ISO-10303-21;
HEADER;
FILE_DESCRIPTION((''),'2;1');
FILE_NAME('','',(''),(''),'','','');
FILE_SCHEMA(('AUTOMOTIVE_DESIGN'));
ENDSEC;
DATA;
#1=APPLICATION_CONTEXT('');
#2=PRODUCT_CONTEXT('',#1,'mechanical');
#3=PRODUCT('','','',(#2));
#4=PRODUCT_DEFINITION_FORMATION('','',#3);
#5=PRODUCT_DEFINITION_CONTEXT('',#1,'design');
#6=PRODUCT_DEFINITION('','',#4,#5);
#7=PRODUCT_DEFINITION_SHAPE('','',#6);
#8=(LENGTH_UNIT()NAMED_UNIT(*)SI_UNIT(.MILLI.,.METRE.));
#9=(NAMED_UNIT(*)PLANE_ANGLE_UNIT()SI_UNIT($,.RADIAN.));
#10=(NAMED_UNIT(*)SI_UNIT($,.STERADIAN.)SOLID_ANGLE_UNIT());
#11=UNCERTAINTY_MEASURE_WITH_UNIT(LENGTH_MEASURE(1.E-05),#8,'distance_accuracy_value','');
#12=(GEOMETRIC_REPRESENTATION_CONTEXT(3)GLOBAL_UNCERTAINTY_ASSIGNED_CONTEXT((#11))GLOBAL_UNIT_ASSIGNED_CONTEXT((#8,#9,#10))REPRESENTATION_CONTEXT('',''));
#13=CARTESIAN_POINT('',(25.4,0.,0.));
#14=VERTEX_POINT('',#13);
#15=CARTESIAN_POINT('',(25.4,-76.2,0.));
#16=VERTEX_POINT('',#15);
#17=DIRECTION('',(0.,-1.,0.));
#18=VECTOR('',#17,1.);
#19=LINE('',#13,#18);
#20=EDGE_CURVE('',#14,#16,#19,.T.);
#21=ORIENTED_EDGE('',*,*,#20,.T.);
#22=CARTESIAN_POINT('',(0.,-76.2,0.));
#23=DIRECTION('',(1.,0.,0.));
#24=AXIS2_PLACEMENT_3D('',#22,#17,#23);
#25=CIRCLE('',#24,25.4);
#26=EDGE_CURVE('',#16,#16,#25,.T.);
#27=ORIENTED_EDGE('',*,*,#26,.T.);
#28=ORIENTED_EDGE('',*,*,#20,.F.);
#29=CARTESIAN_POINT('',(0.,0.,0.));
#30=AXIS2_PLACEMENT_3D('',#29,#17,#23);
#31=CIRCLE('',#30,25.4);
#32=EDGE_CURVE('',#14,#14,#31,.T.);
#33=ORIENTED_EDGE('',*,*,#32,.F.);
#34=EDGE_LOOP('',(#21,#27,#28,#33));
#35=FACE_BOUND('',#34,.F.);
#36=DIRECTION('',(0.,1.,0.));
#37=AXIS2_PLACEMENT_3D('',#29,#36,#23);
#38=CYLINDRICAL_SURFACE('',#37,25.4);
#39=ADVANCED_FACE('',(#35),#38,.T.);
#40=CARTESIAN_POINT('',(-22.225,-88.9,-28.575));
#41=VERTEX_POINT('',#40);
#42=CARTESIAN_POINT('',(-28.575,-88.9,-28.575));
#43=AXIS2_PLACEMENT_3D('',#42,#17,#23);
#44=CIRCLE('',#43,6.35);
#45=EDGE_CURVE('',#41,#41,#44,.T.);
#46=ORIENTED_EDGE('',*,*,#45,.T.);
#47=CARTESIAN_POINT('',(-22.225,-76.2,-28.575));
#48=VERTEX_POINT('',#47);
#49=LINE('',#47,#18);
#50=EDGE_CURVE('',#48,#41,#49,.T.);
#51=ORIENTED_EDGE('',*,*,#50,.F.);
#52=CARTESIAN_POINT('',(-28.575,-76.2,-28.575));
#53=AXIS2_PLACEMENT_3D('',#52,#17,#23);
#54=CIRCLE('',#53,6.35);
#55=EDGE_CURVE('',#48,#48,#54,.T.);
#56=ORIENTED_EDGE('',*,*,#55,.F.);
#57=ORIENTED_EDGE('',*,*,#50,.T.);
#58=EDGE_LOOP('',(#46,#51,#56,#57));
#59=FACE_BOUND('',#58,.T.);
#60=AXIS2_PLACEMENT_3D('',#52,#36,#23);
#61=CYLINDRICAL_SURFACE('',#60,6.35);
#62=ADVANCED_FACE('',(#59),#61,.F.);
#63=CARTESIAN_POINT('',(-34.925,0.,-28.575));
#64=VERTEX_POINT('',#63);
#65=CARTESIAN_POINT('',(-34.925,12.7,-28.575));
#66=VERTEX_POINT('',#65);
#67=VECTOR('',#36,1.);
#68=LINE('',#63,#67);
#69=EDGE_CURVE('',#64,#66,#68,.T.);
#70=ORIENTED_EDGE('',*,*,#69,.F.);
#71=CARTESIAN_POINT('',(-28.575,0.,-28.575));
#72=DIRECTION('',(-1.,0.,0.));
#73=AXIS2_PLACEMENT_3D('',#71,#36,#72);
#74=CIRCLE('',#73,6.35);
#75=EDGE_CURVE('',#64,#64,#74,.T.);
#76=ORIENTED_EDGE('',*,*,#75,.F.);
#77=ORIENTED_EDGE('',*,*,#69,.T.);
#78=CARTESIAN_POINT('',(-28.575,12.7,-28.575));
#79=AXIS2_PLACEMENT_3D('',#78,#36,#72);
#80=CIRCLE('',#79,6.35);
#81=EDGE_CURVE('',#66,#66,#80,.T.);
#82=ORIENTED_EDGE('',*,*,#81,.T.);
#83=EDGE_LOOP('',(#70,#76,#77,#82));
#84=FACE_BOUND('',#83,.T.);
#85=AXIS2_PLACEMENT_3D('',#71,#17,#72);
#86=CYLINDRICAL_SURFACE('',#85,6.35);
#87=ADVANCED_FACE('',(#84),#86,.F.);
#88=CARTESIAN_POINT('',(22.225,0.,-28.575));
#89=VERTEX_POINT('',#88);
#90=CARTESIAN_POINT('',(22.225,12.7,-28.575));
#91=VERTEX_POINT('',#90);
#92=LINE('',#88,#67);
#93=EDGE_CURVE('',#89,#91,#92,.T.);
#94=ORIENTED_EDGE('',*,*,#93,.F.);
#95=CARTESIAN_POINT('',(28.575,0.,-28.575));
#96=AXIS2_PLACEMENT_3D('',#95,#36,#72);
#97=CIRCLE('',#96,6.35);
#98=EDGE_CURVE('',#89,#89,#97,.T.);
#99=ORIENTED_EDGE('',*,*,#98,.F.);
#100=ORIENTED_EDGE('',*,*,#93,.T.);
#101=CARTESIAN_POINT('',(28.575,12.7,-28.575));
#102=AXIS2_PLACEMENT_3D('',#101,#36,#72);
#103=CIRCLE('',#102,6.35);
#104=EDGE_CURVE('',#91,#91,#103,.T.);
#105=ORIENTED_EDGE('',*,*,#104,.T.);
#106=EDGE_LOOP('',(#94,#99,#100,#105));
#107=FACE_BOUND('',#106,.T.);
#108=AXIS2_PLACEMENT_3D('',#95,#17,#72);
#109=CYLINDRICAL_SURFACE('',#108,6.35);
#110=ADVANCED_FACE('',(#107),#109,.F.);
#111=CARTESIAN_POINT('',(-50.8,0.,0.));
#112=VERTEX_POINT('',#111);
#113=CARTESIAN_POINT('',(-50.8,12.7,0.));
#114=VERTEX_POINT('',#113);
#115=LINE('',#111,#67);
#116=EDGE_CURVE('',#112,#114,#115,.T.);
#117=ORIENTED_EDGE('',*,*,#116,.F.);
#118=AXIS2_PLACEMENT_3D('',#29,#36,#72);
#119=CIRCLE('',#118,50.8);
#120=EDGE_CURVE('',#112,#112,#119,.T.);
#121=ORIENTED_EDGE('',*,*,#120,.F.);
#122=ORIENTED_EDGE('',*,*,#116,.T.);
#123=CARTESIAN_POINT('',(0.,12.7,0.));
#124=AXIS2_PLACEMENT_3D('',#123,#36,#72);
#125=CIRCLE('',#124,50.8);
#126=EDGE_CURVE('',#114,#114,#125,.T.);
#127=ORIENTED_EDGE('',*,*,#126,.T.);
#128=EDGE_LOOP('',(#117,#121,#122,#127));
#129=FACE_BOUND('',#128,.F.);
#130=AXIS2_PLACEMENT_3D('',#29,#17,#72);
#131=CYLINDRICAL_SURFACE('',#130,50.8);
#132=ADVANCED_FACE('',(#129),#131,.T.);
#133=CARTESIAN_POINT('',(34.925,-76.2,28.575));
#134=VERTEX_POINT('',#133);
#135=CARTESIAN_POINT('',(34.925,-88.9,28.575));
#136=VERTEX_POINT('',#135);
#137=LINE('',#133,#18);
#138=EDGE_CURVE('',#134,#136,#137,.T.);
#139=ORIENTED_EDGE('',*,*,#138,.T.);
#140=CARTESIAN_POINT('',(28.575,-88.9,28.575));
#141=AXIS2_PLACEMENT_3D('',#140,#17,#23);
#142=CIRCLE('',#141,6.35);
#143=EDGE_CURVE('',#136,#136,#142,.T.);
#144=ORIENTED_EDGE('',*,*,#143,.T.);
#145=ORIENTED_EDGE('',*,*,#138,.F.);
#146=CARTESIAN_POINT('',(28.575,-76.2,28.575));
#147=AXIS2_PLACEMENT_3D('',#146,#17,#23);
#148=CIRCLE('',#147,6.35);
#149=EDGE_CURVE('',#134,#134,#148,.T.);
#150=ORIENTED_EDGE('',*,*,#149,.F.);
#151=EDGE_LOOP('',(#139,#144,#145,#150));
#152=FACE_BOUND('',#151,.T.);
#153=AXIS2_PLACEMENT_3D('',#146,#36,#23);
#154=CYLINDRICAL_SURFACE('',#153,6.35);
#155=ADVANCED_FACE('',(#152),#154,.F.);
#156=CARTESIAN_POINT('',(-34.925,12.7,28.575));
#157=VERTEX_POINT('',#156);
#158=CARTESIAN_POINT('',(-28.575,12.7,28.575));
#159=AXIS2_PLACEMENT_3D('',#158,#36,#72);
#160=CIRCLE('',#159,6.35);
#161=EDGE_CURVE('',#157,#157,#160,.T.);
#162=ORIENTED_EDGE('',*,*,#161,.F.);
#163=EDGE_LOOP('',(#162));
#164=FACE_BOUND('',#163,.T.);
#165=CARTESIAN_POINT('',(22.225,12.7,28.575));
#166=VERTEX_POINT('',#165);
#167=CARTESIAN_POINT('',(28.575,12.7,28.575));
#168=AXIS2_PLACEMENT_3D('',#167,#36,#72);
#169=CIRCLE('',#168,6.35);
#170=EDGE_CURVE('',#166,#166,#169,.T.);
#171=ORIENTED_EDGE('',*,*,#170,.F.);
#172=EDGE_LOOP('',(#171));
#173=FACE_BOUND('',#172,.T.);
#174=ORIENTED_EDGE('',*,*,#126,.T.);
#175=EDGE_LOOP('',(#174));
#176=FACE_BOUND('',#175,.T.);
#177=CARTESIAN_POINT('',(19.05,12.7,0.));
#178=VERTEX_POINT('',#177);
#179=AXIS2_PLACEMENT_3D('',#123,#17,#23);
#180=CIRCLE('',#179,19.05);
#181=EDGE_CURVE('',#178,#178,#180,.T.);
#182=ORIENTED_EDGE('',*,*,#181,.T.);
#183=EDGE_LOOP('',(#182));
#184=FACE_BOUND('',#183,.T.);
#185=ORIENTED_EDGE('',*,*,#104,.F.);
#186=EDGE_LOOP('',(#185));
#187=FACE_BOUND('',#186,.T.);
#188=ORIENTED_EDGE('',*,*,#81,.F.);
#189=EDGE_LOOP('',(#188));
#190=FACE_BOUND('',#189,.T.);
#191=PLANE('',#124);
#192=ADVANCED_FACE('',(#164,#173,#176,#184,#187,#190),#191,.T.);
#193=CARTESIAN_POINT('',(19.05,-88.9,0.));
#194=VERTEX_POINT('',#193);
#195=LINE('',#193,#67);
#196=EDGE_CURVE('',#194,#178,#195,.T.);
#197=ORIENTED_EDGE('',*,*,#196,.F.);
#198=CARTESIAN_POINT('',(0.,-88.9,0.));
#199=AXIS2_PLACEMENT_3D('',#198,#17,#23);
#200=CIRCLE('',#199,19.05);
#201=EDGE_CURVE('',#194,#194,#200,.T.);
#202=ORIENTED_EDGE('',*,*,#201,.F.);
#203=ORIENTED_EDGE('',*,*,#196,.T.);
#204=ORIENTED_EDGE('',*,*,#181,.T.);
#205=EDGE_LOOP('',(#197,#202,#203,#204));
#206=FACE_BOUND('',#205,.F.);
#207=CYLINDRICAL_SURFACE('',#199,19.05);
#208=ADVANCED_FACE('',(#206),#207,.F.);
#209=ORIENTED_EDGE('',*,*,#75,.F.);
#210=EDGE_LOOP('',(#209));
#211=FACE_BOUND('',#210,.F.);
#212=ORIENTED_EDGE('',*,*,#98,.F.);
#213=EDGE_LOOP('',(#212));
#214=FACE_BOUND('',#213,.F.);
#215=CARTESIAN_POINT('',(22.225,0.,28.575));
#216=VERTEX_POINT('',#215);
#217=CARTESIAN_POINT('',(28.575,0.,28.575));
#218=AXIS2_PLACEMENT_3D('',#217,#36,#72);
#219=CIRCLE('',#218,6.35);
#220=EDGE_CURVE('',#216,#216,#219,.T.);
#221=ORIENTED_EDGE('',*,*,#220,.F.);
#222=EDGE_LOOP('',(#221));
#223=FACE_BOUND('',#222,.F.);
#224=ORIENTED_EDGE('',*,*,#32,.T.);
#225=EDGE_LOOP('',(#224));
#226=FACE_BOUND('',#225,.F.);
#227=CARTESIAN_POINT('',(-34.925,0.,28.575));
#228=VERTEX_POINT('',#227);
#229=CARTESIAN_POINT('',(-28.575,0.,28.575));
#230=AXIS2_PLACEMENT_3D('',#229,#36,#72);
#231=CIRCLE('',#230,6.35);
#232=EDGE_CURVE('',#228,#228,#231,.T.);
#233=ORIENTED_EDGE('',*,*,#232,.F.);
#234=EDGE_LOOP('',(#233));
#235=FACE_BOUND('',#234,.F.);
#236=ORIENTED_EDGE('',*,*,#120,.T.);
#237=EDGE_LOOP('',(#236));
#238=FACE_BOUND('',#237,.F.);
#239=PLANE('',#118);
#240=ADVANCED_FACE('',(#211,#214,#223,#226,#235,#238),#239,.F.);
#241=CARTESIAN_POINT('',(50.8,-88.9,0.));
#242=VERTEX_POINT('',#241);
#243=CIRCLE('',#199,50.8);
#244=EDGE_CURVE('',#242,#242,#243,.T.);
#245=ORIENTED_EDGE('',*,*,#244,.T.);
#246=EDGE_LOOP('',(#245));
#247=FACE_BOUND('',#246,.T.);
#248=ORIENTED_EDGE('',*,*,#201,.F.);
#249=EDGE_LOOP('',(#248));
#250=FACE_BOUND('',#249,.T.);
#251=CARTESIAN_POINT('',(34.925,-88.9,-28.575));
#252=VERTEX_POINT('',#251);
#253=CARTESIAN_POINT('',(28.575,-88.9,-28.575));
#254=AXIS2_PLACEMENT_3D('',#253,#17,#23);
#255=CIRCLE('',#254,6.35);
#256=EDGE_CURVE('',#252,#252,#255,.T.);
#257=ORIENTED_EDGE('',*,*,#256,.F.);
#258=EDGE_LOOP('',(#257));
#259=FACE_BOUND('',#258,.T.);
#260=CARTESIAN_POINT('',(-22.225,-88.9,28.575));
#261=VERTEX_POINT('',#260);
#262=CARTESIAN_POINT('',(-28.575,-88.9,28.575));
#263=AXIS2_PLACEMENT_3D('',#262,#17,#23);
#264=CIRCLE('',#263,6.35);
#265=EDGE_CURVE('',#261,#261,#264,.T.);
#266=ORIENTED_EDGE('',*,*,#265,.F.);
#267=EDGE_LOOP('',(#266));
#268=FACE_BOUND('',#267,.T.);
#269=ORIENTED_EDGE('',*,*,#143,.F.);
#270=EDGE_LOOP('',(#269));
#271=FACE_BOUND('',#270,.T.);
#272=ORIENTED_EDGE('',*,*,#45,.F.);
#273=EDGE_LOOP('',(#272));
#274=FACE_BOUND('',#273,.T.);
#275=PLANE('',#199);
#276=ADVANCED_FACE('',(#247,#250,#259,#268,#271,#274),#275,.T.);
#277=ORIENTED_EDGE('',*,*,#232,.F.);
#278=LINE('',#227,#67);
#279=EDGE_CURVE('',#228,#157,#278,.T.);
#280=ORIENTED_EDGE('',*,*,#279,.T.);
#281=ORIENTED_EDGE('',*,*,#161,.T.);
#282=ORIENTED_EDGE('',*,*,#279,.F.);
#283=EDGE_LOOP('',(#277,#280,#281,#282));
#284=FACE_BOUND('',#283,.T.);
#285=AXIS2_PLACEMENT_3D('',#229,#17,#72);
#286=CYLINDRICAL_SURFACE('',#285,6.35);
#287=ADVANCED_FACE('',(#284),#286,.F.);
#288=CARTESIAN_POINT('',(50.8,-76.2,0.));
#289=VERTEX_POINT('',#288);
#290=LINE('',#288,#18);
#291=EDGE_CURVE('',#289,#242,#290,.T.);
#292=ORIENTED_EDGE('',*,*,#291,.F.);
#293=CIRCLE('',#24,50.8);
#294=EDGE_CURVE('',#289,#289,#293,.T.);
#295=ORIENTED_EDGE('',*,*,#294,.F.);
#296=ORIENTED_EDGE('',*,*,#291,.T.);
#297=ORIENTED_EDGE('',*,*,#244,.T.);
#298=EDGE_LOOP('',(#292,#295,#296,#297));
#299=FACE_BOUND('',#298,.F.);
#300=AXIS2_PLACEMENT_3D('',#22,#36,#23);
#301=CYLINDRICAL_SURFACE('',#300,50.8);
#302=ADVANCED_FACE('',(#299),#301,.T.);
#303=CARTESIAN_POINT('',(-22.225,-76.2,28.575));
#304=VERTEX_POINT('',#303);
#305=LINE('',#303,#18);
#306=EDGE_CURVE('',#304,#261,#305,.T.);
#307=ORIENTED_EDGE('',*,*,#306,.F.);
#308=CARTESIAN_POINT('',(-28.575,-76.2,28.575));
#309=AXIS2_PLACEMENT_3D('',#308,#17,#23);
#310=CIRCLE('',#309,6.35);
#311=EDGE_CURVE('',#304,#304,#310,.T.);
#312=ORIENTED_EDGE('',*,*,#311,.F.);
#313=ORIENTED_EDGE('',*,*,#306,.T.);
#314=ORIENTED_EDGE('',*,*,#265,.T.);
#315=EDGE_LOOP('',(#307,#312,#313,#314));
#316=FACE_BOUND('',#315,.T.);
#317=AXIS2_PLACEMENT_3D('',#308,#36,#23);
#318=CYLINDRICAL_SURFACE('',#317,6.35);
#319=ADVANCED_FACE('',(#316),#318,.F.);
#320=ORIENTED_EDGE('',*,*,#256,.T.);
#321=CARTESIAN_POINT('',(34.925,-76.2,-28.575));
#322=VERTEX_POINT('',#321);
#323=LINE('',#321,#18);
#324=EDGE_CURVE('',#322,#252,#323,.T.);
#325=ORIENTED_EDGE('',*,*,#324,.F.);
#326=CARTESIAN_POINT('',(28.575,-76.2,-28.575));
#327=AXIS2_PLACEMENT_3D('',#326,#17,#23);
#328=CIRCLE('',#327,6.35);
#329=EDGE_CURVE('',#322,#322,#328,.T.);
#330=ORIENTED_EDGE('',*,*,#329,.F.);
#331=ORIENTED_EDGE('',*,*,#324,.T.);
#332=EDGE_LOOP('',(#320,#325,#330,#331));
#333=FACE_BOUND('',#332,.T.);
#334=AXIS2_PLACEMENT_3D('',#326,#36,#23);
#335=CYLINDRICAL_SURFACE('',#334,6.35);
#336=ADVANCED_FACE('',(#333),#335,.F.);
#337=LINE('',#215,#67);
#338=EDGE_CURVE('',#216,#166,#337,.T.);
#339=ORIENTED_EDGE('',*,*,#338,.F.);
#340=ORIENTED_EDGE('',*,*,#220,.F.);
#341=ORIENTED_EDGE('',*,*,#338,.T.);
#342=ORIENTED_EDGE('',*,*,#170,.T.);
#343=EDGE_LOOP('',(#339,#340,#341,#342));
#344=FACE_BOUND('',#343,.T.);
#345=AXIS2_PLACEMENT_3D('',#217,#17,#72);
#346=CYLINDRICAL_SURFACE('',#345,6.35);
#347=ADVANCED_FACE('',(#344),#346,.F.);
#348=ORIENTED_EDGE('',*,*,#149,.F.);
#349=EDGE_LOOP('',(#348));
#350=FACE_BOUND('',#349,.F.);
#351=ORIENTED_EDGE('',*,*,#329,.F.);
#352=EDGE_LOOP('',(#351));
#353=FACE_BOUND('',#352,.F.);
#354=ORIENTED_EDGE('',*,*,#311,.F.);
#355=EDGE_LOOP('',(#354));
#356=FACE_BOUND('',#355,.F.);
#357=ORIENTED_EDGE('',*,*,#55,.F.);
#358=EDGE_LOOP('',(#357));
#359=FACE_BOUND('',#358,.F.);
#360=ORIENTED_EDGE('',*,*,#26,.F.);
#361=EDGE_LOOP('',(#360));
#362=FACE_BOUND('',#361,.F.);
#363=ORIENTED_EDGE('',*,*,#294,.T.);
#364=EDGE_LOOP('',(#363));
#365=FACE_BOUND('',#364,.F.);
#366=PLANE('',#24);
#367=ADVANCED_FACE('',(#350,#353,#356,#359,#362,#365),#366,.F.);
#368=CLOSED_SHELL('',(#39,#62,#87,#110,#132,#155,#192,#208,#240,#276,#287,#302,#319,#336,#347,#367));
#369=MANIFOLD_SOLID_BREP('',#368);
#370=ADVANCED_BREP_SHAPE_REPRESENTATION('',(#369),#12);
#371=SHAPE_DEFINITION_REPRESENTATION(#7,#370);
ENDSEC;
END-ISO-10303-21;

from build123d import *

# Parameters (mm, degrees)
F0_R     = 25.4
F1_DEPTH = 76.2
F2_R     = 50.8
F2_R_2   = 6.35
F3_DEPTH = 12.7
F5_R     = 50.8
F5_R_2   = 6.35
F6_DEPTH = 12.7
F4_R     = 19.05
F7_DEPTH = 137.922


with BuildPart() as f1:
    # F0 (on Front) → F1 (new body)
    with BuildSketch(Plane.XZ):
        Circle(F0_R)
    extrude(amount=F1_DEPTH)

    # F2 (on face) → F3 (join)
    with BuildSketch(Plane.XZ.offset(76.2)):
        Circle(F2_R)
        with Locations((-28.575, -28.575)):
            Circle(F2_R_2, mode=Mode.SUBTRACT)
        with Locations((28.575, -28.575)):
            Circle(F2_R_2, mode=Mode.SUBTRACT)
        with Locations((-28.575, 28.575)):
            Circle(F2_R_2, mode=Mode.SUBTRACT)
        with Locations((28.575, 28.575)):
            Circle(F2_R_2, mode=Mode.SUBTRACT)
    extrude(amount=F3_DEPTH)

    # F5 (on face) → F6 (join)
    with BuildSketch(Plane(origin=(0, 0, 0), x_dir=(-1, 0, 0), z_dir=(0, 1, 0))):
        Circle(F5_R)
        with Locations((-28.575, -28.575)):
            Circle(F5_R_2, mode=Mode.SUBTRACT)
        with Locations((28.575, -28.575)):
            Circle(F5_R_2, mode=Mode.SUBTRACT)
        with Locations((-28.575, 28.575)):
            Circle(F5_R_2, mode=Mode.SUBTRACT)
        with Locations((28.575, 28.575)):
            Circle(F5_R_2, mode=Mode.SUBTRACT)
    extrude(amount=F6_DEPTH)

    # F4 (on face) → F7 (cut)
    with BuildSketch(Plane.XZ.offset(88.9)):
        Circle(F4_R)
    extrude(amount=-F7_DEPTH, mode=Mode.SUBTRACT)


solid = f1.part
